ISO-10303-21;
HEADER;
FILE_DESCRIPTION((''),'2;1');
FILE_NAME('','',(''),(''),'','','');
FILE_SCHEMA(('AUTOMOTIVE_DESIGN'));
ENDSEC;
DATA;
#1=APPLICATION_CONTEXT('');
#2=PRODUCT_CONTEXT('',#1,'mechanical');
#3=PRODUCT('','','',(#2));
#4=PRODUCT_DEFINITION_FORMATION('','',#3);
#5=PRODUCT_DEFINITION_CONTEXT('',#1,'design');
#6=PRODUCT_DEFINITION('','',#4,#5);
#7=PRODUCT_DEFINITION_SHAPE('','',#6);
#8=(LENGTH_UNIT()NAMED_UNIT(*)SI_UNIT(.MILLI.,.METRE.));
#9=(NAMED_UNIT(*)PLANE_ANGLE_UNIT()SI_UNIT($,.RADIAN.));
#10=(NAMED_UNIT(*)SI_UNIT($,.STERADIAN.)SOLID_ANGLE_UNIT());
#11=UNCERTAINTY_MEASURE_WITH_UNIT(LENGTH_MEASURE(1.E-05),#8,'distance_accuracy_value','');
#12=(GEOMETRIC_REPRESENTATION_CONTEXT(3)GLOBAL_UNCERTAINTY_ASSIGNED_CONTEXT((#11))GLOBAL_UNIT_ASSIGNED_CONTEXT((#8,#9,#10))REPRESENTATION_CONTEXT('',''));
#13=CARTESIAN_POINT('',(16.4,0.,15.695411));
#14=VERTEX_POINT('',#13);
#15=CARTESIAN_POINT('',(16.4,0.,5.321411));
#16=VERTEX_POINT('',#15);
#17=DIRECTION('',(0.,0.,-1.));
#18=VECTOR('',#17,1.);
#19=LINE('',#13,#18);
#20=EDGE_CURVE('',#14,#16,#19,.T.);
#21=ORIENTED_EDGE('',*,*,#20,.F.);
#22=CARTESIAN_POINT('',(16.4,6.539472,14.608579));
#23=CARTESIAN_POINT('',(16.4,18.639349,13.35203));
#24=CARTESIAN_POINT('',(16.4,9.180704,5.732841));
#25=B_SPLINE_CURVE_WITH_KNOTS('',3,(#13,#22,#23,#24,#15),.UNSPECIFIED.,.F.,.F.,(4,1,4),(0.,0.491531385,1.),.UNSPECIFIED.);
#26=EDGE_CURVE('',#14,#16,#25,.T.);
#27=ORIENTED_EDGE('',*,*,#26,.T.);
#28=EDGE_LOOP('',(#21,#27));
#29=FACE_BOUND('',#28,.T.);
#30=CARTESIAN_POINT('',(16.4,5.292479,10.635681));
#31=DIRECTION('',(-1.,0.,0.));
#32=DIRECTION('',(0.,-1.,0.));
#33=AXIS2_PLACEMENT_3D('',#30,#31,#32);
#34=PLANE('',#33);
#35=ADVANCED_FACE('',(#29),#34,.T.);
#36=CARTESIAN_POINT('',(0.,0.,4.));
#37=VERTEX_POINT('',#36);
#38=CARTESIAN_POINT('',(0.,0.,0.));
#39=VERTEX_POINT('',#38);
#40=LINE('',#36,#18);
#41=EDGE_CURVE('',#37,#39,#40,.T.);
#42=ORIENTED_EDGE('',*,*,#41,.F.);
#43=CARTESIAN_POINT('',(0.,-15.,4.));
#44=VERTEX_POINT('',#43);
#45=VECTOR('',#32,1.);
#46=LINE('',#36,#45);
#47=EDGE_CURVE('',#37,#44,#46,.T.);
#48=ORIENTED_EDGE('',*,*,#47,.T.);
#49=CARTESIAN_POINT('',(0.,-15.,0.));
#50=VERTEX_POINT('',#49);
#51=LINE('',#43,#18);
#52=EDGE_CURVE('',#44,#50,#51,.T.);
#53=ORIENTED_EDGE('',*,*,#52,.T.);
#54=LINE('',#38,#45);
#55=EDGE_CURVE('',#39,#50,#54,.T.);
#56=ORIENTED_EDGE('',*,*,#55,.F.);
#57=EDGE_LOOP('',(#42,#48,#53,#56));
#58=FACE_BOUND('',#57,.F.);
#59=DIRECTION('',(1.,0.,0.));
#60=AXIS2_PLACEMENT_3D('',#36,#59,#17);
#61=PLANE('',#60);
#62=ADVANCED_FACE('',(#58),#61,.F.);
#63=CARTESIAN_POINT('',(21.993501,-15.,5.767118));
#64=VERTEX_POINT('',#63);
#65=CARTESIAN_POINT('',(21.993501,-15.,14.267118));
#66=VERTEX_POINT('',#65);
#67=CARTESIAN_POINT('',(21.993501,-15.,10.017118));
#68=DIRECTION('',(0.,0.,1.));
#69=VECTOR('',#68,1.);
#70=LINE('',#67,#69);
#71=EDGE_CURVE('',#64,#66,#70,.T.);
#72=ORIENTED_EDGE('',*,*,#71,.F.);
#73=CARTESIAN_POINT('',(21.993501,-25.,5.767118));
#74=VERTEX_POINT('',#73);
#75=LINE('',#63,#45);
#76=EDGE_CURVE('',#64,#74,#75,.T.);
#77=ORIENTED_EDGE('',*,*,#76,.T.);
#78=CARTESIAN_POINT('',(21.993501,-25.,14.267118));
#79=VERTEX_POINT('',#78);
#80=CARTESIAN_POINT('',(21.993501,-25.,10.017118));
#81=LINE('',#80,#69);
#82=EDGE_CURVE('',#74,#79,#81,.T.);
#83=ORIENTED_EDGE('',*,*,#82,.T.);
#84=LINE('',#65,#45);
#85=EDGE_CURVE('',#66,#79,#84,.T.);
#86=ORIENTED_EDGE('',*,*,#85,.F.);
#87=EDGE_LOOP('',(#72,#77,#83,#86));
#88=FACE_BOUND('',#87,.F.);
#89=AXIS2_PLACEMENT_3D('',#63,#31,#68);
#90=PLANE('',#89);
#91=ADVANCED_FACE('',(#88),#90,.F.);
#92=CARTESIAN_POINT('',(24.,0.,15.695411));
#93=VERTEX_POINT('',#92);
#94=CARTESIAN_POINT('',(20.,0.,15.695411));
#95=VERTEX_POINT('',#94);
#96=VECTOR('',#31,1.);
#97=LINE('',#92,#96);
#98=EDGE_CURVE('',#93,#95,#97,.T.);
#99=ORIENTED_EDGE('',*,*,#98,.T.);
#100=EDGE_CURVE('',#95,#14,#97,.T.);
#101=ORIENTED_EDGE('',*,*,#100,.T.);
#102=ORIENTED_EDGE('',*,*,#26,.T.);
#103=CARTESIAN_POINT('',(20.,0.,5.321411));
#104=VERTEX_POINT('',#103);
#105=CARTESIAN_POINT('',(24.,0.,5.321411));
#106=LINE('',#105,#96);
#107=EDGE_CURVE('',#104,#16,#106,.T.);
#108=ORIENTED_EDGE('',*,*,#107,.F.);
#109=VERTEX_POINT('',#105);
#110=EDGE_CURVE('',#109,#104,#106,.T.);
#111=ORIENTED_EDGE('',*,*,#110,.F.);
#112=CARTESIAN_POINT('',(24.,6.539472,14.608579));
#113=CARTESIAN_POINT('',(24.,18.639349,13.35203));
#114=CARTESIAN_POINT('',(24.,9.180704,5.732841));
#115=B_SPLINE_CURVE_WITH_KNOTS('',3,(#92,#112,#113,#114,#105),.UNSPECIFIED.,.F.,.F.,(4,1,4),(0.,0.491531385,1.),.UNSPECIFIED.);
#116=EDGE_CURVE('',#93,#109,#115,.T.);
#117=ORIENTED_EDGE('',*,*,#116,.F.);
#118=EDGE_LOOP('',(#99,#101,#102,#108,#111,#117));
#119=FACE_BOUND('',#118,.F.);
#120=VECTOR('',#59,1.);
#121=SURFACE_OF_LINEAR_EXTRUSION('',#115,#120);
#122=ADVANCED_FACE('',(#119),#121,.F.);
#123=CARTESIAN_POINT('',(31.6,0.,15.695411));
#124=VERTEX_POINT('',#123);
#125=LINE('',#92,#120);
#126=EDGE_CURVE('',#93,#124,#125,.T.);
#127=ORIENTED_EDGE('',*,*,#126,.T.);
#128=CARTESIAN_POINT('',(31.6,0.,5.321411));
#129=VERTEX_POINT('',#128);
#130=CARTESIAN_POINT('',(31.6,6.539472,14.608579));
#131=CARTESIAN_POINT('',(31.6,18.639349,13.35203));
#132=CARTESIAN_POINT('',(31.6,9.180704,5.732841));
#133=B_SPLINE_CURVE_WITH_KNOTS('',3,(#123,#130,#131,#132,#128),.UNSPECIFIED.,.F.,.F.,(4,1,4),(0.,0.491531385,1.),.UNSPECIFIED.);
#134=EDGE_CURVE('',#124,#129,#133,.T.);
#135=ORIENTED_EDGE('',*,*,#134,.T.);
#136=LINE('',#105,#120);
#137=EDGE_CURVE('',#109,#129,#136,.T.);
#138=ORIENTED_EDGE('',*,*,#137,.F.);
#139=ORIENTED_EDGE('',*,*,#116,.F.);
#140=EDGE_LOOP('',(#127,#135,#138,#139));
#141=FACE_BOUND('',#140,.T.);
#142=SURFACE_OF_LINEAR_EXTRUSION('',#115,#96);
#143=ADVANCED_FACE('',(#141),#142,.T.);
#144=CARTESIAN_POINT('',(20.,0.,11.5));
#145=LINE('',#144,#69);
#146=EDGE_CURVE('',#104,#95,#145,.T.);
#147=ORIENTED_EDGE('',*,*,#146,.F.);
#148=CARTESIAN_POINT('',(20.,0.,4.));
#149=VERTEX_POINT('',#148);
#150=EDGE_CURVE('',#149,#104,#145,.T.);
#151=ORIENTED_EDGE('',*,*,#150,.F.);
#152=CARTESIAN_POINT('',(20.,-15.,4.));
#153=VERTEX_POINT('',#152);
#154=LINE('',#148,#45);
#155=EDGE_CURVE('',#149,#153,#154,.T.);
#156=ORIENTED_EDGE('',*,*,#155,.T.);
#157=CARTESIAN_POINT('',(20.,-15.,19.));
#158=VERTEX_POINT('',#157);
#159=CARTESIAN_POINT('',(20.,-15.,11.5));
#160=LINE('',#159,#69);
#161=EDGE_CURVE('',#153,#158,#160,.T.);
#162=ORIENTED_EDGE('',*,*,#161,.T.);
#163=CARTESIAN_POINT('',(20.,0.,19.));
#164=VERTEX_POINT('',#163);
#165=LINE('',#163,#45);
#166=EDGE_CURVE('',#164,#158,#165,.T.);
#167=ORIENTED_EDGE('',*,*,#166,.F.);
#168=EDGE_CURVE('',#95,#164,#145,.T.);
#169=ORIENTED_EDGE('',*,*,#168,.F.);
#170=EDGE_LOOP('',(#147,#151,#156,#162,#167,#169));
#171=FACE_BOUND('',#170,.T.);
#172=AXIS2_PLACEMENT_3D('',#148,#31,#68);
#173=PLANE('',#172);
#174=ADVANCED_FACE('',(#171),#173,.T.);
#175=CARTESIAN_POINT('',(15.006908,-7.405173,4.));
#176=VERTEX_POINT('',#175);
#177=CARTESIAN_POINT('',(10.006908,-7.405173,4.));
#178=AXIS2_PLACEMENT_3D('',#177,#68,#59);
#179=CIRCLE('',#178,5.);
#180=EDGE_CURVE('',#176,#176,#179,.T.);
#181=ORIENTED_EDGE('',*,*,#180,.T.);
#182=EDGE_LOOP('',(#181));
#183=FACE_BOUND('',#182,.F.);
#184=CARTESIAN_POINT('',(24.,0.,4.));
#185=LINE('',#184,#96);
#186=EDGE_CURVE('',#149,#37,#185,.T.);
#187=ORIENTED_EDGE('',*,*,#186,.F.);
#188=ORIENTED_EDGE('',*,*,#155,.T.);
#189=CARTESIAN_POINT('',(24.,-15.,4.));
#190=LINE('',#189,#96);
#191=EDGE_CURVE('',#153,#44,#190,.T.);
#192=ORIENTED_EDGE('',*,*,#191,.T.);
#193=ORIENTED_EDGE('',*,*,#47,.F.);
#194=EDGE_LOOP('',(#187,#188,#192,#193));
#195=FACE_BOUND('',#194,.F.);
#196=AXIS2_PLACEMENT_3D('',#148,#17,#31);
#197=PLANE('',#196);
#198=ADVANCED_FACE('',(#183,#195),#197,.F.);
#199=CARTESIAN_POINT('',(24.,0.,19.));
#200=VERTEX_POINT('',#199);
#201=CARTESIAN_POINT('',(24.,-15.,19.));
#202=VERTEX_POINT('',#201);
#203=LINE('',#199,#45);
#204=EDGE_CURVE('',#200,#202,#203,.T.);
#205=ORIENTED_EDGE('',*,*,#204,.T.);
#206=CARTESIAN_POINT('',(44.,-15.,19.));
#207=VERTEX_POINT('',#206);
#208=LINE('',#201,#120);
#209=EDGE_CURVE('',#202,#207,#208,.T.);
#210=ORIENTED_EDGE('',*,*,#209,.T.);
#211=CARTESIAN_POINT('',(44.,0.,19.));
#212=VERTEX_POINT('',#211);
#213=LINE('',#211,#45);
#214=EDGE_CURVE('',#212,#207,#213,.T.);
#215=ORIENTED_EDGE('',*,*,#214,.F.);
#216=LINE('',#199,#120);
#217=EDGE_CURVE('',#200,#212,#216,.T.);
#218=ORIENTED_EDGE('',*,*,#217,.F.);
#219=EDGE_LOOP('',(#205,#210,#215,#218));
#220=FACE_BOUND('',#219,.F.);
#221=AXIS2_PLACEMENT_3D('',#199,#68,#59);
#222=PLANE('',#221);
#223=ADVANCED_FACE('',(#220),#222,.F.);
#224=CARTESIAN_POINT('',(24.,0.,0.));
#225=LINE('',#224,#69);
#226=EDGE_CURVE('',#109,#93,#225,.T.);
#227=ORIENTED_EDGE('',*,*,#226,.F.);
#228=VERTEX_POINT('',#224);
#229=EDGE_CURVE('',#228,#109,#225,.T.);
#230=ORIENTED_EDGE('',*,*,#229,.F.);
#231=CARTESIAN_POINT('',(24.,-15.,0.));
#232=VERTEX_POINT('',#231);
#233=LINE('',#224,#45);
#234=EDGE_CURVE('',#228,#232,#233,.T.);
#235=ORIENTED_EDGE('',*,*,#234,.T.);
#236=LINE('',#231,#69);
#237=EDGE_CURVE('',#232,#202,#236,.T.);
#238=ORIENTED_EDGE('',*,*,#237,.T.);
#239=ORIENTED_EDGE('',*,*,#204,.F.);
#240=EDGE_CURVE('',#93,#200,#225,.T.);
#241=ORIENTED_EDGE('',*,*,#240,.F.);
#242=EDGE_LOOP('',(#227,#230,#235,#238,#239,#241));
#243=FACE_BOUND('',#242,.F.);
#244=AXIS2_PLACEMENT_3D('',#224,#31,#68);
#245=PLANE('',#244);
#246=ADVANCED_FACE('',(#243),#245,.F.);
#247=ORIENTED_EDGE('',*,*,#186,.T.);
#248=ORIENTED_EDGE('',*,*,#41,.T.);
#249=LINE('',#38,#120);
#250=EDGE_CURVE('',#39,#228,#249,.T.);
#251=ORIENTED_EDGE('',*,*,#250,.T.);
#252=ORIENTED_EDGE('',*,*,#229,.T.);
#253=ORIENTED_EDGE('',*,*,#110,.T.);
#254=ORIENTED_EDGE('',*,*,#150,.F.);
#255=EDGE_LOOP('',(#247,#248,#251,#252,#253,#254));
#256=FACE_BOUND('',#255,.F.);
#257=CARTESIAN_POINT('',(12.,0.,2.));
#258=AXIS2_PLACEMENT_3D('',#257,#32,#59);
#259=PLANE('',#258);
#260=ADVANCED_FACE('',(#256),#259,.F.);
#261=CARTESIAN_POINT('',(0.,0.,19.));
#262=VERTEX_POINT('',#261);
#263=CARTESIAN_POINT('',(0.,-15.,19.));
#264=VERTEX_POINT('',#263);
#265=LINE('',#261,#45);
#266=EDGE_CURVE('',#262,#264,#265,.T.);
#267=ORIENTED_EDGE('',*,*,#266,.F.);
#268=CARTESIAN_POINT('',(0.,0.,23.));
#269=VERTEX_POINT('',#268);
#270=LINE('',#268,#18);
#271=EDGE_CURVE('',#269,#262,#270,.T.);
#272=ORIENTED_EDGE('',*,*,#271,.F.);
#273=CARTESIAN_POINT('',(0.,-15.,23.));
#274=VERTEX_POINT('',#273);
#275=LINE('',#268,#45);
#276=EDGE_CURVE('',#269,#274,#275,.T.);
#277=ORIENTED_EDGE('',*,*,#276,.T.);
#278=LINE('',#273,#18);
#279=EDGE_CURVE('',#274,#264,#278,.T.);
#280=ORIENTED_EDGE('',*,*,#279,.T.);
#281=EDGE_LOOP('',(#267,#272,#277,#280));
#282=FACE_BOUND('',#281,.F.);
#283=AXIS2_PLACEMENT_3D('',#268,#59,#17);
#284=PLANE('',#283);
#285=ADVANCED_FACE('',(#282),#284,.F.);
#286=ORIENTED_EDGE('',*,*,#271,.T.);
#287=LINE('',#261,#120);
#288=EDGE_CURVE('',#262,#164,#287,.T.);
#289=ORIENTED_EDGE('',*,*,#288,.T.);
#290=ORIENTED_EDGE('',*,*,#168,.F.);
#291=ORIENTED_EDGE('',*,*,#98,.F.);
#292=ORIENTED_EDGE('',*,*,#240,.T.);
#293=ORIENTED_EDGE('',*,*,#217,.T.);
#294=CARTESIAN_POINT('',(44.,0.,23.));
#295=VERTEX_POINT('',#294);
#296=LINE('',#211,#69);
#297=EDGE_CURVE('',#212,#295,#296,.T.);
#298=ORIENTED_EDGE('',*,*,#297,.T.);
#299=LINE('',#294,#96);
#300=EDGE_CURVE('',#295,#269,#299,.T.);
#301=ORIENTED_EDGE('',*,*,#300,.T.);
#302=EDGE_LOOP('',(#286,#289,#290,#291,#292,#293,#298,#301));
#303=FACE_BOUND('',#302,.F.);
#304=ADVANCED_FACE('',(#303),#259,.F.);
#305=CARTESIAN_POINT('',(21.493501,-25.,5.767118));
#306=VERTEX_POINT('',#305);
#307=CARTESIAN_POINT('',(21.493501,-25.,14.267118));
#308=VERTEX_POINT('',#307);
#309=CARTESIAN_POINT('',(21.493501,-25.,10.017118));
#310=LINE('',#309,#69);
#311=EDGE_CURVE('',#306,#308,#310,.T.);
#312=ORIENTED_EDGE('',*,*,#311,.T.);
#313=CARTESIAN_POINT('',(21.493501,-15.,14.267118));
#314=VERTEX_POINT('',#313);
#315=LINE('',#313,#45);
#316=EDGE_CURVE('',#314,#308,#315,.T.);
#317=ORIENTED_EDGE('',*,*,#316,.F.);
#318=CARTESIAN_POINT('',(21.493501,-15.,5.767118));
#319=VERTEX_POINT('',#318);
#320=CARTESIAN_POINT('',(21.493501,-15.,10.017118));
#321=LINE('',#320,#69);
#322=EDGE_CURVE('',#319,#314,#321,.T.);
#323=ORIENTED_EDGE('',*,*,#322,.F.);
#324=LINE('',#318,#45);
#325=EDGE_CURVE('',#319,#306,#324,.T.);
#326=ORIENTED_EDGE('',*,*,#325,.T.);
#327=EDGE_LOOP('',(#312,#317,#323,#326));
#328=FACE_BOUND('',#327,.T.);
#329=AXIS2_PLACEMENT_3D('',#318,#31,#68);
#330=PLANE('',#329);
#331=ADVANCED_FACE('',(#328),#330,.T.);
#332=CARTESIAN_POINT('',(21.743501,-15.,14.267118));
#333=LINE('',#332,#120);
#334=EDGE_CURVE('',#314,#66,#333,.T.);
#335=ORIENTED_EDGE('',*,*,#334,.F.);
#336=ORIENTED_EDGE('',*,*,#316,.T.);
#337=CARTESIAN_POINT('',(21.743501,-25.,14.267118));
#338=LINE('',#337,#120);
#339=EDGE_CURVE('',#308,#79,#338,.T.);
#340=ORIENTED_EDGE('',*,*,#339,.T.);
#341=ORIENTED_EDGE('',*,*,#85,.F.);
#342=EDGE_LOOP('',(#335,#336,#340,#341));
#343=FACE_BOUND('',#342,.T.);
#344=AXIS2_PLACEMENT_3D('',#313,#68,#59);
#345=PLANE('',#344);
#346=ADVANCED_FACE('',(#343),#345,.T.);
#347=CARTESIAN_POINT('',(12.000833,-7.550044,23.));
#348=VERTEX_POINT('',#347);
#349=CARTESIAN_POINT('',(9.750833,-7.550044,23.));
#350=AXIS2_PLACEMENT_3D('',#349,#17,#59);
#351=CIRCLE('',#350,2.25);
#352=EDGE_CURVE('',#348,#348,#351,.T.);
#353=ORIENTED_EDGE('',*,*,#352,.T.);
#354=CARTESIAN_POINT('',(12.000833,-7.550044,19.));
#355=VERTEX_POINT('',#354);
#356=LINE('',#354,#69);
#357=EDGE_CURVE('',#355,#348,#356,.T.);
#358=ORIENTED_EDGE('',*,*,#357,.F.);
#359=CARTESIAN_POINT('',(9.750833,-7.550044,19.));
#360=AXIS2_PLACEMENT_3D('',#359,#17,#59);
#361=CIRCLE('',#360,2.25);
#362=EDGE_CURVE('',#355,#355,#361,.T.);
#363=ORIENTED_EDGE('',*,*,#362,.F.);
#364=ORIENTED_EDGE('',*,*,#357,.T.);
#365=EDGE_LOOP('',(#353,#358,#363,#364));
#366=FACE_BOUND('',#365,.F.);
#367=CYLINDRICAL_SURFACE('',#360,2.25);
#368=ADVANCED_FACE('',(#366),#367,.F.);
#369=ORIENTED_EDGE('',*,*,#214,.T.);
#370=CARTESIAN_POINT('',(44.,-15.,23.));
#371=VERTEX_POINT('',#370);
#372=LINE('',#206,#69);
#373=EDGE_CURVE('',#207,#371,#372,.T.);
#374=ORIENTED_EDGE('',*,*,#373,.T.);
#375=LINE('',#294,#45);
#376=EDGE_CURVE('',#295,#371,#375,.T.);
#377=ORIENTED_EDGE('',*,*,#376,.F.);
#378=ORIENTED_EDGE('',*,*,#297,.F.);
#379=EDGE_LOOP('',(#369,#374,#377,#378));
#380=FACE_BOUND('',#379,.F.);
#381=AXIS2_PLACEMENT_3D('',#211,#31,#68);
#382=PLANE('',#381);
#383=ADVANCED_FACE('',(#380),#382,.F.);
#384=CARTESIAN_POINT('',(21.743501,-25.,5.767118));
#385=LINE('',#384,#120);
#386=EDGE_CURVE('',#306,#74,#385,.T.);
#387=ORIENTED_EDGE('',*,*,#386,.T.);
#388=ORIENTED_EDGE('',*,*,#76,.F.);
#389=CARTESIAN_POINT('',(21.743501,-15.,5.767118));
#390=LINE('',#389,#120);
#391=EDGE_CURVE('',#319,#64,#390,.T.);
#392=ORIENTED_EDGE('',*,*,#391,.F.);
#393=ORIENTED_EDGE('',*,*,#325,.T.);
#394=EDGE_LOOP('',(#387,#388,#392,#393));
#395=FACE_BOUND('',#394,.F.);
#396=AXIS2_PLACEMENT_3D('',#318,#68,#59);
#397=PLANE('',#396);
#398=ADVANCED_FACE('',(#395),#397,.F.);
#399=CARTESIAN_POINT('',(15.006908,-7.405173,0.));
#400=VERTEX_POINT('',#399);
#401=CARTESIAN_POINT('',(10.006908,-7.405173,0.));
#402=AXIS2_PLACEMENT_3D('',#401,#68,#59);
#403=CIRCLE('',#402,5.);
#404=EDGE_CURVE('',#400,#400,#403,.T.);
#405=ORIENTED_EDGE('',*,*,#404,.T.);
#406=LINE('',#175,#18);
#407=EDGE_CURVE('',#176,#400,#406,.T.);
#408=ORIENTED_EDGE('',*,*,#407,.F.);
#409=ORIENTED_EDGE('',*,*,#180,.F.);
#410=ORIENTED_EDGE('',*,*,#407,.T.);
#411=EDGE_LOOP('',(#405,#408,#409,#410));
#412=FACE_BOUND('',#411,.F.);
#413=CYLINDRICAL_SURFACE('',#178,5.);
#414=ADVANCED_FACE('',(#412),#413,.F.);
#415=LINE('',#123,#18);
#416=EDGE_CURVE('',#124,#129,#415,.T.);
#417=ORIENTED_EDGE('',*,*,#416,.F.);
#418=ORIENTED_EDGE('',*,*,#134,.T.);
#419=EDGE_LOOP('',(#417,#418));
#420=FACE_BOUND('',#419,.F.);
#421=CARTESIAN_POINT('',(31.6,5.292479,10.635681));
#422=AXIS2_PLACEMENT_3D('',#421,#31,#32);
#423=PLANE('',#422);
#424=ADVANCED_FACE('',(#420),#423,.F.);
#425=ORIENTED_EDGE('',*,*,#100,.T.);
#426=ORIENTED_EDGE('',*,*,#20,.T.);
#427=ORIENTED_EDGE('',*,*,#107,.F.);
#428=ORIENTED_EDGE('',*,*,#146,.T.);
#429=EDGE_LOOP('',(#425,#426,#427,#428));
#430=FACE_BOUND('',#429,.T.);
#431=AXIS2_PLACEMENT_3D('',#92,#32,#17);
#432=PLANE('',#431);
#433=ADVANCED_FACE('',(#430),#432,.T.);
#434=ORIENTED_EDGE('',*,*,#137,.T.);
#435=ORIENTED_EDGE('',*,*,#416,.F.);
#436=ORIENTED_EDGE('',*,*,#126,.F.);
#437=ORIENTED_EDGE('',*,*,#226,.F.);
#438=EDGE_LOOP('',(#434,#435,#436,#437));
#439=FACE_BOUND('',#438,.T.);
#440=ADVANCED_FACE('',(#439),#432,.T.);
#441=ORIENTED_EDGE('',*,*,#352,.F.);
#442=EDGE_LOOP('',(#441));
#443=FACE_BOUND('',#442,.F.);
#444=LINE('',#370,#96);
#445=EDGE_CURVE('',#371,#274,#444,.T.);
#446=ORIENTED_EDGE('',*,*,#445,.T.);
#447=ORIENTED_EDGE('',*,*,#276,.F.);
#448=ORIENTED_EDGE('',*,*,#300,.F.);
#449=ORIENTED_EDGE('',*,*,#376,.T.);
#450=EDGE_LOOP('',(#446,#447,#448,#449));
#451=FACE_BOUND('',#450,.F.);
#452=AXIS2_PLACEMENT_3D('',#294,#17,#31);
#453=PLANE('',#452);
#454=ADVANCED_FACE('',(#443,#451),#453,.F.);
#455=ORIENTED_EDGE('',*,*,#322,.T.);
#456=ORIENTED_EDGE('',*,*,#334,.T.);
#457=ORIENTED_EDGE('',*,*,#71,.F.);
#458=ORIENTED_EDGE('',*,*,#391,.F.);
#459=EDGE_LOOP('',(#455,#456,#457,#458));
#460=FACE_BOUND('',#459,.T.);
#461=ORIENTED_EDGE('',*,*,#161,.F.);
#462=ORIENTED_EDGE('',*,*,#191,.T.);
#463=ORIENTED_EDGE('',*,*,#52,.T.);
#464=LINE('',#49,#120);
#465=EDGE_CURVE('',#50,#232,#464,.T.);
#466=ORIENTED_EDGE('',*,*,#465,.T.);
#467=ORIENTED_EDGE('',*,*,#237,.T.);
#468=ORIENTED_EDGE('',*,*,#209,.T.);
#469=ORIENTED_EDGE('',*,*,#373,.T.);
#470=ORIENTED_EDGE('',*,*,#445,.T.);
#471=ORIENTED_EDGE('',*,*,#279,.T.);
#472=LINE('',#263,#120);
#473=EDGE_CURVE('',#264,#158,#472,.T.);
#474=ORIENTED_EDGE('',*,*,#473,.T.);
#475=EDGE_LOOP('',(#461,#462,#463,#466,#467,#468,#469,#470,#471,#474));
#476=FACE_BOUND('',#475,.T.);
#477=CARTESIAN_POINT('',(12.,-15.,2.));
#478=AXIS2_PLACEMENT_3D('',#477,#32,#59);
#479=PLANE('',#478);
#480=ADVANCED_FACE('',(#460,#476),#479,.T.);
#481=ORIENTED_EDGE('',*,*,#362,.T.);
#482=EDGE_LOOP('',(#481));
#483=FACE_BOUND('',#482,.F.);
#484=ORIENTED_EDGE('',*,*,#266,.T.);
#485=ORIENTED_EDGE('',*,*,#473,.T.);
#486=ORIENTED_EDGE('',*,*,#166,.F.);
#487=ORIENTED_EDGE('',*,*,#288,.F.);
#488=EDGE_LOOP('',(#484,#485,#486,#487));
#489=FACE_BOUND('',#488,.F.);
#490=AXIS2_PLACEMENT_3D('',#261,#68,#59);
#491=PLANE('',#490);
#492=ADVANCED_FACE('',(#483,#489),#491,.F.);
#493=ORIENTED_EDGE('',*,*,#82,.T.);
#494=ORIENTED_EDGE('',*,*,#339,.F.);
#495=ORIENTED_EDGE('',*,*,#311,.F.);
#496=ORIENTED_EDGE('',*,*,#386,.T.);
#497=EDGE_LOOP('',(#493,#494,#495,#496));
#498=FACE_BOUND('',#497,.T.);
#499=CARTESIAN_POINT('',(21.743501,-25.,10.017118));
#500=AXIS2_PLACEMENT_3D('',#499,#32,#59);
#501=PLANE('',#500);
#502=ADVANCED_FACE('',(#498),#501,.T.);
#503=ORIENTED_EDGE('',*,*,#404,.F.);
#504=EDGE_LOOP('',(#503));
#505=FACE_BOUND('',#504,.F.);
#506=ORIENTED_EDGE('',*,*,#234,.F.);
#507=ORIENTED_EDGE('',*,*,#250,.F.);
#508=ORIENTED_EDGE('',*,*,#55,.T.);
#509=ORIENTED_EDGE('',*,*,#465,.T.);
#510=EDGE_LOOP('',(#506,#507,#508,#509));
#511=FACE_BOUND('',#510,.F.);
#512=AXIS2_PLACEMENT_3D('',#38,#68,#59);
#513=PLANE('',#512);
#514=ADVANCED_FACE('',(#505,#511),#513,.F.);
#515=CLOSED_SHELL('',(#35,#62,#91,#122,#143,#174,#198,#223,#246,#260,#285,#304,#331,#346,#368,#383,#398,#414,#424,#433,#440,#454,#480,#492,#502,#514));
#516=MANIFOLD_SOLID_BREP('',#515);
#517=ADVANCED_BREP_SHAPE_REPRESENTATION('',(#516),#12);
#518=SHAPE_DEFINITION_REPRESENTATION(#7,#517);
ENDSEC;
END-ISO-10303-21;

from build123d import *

# Parameters (mm, degrees)
F0_W     = 4
F0_H     = 15
F1_DEPTH = 15
F2_R     = 5
F3_DEPTH = 4.001
F4_R     = 2.25
F5_DEPTH = 4.001
F6_W     = 0.5
F6_H     = 8.5
F7_DEPTH = 10
F9_DEPTH = 7.6


with BuildPart() as f1:
    # F0 (on Front) → F1 (new body)
    with BuildSketch(Plane.XZ):
        Polygon((24, 0), (24, 4), (20, 4), (0, 4), (0, 0), align=None)
        with Locations((22, 11.5)):
            Rectangle(F0_W, F0_H)
        Polygon((20, 19), (24, 19), (44, 19), (44, 23), (0, 23), (0, 19), align=None)
    extrude(amount=F1_DEPTH)

    # F2 (on face) → F3 (cut, through all)
    with BuildSketch(Plane.XY.offset(4)):
        with Locations((10.0069084136, -7.405173449)):
            Circle(F2_R)
    extrude(amount=-F3_DEPTH, mode=Mode.SUBTRACT)

    # F4 (on face) → F5 (cut, through all)
    with BuildSketch(Plane(origin=(0, 0, 19), x_dir=(1, 0, 0), z_dir=(0, 0, -1))):
        with Locations((9.7508328035, 7.5500439852)):
            Circle(F4_R)
    extrude(amount=-F5_DEPTH, mode=Mode.SUBTRACT)

    # F6 (on face) → F7 (join)
    with BuildSketch(Plane.XZ.offset(15)):
        with Locations((21.7435011119, 10.0171177201)):
            Rectangle(F6_W, F6_H)
    extrude(amount=F7_DEPTH)

    # F8 (on face) → F9 (join, symmetric)
    with BuildSketch(Plane.YZ.offset(24)):
        with BuildLine():
            add(Edge.make_bspline(
                [(0, 15.6954114159), (6.5394724086, 14.608579241), (18.6393490716, 13.3520301619), (9.1807042924, 5.7328406438), (0, 5.3214114159)],
                knots=[0, 0, 0, 0, 0.4915313854, 1, 1, 1, 1], degree=3))
            Line((0, 15.6954114159), (0, 5.3214114159))
        make_face()
    extrude(amount=F9_DEPTH, both=True)


solid = f1.part
